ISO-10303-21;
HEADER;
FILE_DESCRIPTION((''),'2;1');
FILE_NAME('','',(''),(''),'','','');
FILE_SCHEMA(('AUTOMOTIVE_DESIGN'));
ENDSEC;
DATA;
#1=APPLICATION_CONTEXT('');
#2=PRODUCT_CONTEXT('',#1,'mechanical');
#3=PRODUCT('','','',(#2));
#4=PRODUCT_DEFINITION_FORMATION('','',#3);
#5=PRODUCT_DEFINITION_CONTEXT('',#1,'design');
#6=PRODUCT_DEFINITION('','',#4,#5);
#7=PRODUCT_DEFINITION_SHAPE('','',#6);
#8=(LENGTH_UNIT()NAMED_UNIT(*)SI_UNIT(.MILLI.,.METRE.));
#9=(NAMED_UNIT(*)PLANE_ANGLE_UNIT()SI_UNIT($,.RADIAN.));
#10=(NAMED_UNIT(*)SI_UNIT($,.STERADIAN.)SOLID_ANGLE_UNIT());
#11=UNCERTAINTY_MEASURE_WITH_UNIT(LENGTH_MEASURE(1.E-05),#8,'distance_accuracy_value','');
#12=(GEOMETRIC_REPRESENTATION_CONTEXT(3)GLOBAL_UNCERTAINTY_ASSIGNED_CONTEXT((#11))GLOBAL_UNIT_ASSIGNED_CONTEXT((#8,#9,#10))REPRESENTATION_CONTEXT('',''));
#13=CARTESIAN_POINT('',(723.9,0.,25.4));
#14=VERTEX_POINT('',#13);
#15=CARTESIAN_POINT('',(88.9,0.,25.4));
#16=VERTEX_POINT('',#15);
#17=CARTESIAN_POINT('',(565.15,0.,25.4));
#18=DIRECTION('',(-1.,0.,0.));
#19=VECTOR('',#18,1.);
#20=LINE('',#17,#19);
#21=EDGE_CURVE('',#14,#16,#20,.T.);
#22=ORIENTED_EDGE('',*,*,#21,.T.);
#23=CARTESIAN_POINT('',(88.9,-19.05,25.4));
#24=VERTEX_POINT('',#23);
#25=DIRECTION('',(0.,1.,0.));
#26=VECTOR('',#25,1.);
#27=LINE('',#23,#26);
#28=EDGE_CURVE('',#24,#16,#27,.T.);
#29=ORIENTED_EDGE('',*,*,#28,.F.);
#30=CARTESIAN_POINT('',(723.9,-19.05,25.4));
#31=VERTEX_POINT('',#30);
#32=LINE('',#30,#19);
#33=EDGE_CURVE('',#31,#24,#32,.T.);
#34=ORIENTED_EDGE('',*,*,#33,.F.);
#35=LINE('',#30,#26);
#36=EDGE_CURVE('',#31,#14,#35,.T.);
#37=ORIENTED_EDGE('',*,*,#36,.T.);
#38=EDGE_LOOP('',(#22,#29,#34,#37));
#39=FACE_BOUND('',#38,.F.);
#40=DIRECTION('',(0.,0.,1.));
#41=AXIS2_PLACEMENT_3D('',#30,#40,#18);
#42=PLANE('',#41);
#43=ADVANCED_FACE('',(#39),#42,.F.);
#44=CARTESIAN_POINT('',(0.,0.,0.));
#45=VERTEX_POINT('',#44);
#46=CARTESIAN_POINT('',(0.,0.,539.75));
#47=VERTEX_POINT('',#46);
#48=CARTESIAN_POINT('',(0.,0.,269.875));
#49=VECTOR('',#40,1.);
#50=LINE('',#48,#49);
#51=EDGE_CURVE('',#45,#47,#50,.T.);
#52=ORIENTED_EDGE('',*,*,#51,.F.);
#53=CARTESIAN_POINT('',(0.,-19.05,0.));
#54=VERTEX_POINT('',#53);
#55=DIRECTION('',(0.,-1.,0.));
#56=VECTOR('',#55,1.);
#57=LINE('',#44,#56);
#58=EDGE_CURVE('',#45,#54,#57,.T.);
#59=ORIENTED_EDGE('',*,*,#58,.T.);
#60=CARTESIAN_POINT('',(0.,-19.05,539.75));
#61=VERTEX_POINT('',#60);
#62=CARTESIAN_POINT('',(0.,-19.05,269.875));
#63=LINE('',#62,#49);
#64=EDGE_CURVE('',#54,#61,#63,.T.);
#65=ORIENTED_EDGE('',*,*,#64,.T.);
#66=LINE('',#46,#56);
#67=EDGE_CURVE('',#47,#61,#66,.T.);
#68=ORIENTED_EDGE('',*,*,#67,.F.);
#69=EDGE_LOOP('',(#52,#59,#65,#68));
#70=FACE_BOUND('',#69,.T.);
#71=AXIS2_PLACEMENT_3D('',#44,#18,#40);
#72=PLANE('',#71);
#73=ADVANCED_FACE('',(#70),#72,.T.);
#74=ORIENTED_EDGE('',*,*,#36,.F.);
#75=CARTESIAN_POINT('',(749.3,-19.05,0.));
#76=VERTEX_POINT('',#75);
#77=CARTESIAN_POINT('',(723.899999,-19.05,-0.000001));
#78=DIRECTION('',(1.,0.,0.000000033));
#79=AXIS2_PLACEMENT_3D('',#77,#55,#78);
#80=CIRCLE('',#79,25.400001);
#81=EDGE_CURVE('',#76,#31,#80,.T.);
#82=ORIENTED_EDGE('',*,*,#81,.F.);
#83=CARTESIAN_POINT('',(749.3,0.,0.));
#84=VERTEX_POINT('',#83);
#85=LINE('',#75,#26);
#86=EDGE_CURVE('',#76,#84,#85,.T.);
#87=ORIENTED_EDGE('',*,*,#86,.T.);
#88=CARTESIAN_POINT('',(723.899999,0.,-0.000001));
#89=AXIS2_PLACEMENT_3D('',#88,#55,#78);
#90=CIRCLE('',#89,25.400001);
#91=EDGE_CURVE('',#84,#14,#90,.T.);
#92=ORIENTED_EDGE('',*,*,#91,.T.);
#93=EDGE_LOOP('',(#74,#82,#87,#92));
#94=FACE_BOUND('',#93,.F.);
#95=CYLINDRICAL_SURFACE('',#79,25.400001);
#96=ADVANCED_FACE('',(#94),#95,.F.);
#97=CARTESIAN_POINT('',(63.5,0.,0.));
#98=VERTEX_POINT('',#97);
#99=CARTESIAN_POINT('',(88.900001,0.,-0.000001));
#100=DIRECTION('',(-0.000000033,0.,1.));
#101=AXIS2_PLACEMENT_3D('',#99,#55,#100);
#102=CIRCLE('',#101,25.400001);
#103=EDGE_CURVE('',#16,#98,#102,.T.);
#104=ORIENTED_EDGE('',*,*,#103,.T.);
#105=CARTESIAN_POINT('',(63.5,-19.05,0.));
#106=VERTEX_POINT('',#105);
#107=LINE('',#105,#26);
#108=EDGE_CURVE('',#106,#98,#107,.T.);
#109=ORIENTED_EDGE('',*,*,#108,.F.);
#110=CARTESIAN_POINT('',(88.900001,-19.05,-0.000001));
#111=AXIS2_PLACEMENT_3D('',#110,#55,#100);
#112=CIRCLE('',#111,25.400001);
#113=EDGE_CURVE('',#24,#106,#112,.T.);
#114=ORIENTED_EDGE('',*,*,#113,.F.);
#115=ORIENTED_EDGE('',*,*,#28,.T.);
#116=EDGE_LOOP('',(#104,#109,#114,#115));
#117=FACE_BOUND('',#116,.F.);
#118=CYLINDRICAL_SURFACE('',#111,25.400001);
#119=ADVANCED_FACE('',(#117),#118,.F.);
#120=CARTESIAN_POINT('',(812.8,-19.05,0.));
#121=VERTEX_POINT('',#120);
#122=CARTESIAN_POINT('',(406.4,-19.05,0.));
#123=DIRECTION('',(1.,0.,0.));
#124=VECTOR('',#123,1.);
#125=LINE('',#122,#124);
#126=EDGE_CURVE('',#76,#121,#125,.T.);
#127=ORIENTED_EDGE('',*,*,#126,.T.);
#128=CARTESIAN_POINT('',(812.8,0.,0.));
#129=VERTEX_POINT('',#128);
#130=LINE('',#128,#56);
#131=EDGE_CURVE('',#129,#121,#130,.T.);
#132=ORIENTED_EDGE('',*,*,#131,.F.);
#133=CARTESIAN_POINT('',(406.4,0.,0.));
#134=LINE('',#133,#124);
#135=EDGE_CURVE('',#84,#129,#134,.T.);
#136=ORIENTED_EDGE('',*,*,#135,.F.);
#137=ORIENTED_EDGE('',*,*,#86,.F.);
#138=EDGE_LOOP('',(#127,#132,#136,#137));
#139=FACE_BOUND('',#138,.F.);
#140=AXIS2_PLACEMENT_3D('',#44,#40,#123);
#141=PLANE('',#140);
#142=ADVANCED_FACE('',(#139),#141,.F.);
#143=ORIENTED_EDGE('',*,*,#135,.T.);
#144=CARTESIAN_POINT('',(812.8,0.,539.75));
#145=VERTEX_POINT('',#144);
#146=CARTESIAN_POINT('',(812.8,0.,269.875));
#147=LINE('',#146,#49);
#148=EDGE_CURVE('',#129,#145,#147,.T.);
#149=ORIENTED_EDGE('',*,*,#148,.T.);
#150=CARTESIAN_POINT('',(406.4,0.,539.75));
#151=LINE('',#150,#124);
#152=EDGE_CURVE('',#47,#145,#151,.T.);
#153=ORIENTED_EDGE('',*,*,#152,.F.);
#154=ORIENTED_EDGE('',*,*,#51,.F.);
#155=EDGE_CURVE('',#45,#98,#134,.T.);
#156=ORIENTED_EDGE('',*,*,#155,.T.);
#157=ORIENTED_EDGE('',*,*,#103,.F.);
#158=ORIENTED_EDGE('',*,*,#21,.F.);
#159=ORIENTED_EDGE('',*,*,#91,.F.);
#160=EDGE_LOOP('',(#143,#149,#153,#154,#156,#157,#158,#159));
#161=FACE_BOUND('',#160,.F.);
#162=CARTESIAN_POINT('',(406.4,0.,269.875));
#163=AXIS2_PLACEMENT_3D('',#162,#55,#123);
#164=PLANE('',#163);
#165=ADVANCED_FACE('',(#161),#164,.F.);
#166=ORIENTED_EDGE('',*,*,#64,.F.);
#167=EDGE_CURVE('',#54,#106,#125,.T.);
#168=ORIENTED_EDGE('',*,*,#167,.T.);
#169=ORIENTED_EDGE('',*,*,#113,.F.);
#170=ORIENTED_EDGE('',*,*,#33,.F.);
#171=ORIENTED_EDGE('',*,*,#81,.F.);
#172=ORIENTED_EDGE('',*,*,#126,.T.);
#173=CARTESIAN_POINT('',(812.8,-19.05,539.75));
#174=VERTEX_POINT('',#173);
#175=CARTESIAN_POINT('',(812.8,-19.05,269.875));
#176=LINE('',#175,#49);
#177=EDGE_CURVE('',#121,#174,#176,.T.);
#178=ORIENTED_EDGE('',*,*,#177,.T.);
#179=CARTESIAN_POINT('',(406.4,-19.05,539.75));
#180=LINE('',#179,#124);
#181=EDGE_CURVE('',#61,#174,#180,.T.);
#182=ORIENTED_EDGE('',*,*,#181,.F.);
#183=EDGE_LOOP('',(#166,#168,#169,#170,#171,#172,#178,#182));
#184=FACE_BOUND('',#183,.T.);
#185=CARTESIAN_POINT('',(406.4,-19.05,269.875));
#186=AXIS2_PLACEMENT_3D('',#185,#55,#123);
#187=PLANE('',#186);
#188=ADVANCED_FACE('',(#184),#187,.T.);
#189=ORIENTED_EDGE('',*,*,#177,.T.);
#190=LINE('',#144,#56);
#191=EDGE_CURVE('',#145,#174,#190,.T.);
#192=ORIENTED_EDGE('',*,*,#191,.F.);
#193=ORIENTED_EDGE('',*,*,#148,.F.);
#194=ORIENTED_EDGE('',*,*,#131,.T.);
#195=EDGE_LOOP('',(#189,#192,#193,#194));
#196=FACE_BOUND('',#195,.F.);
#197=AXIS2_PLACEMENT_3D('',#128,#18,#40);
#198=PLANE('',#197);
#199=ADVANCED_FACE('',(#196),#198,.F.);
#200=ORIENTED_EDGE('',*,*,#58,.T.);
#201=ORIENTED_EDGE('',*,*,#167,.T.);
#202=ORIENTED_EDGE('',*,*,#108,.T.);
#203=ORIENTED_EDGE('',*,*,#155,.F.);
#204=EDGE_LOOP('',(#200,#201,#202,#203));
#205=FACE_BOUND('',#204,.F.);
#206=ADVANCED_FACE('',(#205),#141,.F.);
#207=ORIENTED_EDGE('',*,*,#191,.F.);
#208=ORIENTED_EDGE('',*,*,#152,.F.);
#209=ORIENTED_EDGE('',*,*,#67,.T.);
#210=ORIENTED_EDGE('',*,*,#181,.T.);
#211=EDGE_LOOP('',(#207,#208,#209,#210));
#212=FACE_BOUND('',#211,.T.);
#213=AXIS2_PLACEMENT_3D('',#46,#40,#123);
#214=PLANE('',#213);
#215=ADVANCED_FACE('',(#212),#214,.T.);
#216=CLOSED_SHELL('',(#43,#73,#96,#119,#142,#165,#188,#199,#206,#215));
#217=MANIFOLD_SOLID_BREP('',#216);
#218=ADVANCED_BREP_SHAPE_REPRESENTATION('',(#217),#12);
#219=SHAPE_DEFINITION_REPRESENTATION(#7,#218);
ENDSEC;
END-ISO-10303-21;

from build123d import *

# Parameters (mm, degrees)
F0_W     = 812.8
F0_H     = 539.75
F1_DEPTH = 19.05
F3_DEPTH = 25.4


with BuildPart() as f1:
    # F0 (on Front) → F1 (new body)
    with BuildSketch(Plane.XZ):
        with Locations((406.4, 269.875)):
            Rectangle(F0_W, F0_H)
    extrude(amount=F1_DEPTH)

    # F2 (on face) → F3 (cut)
    with BuildSketch(Plane.XZ.offset(19.05)):
        with BuildLine():
            Line((406.4, 25.4), (88.9, 25.4))
            ThreePointArc((88.9, 25.4), (70.939488, 17.960512), (63.5, 0))
            Line((63.5, 0), (749.3, 0))
            ThreePointArc((749.3, 0), (741.860512, 17.960512), (723.9, 25.4))
            Line((723.9, 25.4), (406.4, 25.4))
        make_face()
    extrude(amount=-F3_DEPTH, mode=Mode.SUBTRACT)


solid = f1.part
